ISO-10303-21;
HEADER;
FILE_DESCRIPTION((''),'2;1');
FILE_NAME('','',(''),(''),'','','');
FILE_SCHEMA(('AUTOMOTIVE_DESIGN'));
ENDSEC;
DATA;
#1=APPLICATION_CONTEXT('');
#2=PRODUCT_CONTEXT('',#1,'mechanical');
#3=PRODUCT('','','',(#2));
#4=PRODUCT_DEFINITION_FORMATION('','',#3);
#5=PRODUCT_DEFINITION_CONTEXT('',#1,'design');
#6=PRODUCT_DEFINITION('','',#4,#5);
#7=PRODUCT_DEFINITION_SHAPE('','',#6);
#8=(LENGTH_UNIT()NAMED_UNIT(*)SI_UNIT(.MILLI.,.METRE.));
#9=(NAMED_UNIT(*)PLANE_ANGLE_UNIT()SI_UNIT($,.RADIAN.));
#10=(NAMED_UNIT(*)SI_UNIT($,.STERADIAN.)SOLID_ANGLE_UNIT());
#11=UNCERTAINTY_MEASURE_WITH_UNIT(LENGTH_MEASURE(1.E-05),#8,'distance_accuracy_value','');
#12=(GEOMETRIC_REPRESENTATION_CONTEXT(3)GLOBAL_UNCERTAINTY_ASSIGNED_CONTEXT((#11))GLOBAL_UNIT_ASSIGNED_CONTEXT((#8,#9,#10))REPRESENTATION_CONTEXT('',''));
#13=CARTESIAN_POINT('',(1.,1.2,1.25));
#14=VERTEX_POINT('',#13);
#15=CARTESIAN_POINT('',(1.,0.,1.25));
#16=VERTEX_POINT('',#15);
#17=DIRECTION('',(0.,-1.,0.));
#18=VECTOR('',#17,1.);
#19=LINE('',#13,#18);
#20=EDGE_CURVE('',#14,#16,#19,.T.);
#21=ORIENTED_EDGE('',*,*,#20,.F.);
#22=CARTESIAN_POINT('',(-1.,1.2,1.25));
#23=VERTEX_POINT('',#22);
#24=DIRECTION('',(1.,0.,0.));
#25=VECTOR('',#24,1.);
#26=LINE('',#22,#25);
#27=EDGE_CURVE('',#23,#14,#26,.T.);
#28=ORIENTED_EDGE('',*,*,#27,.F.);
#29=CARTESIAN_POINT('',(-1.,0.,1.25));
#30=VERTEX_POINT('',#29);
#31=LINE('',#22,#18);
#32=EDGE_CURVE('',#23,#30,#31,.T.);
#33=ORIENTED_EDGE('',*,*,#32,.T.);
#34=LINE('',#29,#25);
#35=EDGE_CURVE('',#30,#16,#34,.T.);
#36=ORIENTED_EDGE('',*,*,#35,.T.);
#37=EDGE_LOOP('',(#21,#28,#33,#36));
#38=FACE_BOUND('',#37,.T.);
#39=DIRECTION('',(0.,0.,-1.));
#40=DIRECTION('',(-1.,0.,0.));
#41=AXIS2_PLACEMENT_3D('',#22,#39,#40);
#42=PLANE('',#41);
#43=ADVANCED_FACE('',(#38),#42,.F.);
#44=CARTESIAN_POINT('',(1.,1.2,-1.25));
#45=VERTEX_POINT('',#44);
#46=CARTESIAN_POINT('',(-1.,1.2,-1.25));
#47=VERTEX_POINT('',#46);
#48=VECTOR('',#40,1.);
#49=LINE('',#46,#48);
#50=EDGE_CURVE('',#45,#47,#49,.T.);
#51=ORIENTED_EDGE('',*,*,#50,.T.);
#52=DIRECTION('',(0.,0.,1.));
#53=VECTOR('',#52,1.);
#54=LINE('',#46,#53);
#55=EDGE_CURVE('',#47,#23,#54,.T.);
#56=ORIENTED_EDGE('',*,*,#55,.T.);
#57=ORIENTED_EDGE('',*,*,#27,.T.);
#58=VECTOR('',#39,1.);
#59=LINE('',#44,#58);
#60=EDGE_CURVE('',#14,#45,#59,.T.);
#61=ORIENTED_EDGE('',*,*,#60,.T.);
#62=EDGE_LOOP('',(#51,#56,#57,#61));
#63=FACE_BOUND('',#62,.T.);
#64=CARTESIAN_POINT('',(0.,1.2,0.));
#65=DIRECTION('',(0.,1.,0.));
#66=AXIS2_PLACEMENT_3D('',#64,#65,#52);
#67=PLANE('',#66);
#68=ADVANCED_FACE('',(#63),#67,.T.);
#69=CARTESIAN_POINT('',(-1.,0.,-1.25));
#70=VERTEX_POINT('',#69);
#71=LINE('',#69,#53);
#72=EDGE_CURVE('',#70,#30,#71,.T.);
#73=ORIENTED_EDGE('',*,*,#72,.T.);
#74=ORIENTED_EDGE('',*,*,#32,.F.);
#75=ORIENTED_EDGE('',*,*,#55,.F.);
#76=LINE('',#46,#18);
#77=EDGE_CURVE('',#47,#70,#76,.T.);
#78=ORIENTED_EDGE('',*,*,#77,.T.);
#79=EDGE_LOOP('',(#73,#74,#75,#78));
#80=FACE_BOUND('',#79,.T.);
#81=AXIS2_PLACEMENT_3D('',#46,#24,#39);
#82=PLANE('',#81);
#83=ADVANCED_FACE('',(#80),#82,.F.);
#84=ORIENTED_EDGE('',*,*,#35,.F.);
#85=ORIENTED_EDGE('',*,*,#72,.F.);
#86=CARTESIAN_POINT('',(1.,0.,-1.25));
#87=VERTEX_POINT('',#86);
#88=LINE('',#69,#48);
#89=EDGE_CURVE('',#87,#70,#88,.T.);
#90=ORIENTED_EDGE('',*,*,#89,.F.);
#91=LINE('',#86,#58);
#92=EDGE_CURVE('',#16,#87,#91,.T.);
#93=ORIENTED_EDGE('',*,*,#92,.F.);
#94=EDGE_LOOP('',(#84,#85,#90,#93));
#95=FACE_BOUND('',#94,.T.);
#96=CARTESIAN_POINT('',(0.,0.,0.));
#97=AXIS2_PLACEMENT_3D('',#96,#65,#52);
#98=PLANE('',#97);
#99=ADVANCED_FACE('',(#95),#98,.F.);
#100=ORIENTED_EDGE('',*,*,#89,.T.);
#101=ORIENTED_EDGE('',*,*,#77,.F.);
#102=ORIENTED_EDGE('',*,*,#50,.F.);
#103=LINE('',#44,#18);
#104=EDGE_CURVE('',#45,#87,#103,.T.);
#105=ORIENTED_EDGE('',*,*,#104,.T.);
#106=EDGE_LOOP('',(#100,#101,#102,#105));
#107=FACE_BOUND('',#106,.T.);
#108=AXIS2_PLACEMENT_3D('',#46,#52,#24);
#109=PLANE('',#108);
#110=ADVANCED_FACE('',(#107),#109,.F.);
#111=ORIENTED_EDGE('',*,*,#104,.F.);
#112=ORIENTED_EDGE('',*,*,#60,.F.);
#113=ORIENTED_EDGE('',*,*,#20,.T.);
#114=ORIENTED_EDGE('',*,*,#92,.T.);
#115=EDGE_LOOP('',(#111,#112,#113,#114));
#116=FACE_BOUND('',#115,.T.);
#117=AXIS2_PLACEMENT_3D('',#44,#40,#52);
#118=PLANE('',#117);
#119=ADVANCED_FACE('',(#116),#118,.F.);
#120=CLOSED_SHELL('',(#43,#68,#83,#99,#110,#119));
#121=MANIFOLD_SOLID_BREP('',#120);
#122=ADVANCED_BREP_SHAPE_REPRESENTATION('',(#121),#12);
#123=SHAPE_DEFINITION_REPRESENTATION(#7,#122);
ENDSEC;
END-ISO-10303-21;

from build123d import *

# Parameters (mm, degrees)
BASES_W    = 2
BASES_H    = 2.5
BASE_DEPTH = 1.2


with BuildPart() as part:
    # BaseS → Base (new body)
    with BuildSketch(Plane(origin=(0, 0, 0), x_dir=(1, 0, 0), z_dir=(0, 1, 0))):
        Rectangle(BASES_W, BASES_H)
    extrude(amount=BASE_DEPTH)


solid = part.part
